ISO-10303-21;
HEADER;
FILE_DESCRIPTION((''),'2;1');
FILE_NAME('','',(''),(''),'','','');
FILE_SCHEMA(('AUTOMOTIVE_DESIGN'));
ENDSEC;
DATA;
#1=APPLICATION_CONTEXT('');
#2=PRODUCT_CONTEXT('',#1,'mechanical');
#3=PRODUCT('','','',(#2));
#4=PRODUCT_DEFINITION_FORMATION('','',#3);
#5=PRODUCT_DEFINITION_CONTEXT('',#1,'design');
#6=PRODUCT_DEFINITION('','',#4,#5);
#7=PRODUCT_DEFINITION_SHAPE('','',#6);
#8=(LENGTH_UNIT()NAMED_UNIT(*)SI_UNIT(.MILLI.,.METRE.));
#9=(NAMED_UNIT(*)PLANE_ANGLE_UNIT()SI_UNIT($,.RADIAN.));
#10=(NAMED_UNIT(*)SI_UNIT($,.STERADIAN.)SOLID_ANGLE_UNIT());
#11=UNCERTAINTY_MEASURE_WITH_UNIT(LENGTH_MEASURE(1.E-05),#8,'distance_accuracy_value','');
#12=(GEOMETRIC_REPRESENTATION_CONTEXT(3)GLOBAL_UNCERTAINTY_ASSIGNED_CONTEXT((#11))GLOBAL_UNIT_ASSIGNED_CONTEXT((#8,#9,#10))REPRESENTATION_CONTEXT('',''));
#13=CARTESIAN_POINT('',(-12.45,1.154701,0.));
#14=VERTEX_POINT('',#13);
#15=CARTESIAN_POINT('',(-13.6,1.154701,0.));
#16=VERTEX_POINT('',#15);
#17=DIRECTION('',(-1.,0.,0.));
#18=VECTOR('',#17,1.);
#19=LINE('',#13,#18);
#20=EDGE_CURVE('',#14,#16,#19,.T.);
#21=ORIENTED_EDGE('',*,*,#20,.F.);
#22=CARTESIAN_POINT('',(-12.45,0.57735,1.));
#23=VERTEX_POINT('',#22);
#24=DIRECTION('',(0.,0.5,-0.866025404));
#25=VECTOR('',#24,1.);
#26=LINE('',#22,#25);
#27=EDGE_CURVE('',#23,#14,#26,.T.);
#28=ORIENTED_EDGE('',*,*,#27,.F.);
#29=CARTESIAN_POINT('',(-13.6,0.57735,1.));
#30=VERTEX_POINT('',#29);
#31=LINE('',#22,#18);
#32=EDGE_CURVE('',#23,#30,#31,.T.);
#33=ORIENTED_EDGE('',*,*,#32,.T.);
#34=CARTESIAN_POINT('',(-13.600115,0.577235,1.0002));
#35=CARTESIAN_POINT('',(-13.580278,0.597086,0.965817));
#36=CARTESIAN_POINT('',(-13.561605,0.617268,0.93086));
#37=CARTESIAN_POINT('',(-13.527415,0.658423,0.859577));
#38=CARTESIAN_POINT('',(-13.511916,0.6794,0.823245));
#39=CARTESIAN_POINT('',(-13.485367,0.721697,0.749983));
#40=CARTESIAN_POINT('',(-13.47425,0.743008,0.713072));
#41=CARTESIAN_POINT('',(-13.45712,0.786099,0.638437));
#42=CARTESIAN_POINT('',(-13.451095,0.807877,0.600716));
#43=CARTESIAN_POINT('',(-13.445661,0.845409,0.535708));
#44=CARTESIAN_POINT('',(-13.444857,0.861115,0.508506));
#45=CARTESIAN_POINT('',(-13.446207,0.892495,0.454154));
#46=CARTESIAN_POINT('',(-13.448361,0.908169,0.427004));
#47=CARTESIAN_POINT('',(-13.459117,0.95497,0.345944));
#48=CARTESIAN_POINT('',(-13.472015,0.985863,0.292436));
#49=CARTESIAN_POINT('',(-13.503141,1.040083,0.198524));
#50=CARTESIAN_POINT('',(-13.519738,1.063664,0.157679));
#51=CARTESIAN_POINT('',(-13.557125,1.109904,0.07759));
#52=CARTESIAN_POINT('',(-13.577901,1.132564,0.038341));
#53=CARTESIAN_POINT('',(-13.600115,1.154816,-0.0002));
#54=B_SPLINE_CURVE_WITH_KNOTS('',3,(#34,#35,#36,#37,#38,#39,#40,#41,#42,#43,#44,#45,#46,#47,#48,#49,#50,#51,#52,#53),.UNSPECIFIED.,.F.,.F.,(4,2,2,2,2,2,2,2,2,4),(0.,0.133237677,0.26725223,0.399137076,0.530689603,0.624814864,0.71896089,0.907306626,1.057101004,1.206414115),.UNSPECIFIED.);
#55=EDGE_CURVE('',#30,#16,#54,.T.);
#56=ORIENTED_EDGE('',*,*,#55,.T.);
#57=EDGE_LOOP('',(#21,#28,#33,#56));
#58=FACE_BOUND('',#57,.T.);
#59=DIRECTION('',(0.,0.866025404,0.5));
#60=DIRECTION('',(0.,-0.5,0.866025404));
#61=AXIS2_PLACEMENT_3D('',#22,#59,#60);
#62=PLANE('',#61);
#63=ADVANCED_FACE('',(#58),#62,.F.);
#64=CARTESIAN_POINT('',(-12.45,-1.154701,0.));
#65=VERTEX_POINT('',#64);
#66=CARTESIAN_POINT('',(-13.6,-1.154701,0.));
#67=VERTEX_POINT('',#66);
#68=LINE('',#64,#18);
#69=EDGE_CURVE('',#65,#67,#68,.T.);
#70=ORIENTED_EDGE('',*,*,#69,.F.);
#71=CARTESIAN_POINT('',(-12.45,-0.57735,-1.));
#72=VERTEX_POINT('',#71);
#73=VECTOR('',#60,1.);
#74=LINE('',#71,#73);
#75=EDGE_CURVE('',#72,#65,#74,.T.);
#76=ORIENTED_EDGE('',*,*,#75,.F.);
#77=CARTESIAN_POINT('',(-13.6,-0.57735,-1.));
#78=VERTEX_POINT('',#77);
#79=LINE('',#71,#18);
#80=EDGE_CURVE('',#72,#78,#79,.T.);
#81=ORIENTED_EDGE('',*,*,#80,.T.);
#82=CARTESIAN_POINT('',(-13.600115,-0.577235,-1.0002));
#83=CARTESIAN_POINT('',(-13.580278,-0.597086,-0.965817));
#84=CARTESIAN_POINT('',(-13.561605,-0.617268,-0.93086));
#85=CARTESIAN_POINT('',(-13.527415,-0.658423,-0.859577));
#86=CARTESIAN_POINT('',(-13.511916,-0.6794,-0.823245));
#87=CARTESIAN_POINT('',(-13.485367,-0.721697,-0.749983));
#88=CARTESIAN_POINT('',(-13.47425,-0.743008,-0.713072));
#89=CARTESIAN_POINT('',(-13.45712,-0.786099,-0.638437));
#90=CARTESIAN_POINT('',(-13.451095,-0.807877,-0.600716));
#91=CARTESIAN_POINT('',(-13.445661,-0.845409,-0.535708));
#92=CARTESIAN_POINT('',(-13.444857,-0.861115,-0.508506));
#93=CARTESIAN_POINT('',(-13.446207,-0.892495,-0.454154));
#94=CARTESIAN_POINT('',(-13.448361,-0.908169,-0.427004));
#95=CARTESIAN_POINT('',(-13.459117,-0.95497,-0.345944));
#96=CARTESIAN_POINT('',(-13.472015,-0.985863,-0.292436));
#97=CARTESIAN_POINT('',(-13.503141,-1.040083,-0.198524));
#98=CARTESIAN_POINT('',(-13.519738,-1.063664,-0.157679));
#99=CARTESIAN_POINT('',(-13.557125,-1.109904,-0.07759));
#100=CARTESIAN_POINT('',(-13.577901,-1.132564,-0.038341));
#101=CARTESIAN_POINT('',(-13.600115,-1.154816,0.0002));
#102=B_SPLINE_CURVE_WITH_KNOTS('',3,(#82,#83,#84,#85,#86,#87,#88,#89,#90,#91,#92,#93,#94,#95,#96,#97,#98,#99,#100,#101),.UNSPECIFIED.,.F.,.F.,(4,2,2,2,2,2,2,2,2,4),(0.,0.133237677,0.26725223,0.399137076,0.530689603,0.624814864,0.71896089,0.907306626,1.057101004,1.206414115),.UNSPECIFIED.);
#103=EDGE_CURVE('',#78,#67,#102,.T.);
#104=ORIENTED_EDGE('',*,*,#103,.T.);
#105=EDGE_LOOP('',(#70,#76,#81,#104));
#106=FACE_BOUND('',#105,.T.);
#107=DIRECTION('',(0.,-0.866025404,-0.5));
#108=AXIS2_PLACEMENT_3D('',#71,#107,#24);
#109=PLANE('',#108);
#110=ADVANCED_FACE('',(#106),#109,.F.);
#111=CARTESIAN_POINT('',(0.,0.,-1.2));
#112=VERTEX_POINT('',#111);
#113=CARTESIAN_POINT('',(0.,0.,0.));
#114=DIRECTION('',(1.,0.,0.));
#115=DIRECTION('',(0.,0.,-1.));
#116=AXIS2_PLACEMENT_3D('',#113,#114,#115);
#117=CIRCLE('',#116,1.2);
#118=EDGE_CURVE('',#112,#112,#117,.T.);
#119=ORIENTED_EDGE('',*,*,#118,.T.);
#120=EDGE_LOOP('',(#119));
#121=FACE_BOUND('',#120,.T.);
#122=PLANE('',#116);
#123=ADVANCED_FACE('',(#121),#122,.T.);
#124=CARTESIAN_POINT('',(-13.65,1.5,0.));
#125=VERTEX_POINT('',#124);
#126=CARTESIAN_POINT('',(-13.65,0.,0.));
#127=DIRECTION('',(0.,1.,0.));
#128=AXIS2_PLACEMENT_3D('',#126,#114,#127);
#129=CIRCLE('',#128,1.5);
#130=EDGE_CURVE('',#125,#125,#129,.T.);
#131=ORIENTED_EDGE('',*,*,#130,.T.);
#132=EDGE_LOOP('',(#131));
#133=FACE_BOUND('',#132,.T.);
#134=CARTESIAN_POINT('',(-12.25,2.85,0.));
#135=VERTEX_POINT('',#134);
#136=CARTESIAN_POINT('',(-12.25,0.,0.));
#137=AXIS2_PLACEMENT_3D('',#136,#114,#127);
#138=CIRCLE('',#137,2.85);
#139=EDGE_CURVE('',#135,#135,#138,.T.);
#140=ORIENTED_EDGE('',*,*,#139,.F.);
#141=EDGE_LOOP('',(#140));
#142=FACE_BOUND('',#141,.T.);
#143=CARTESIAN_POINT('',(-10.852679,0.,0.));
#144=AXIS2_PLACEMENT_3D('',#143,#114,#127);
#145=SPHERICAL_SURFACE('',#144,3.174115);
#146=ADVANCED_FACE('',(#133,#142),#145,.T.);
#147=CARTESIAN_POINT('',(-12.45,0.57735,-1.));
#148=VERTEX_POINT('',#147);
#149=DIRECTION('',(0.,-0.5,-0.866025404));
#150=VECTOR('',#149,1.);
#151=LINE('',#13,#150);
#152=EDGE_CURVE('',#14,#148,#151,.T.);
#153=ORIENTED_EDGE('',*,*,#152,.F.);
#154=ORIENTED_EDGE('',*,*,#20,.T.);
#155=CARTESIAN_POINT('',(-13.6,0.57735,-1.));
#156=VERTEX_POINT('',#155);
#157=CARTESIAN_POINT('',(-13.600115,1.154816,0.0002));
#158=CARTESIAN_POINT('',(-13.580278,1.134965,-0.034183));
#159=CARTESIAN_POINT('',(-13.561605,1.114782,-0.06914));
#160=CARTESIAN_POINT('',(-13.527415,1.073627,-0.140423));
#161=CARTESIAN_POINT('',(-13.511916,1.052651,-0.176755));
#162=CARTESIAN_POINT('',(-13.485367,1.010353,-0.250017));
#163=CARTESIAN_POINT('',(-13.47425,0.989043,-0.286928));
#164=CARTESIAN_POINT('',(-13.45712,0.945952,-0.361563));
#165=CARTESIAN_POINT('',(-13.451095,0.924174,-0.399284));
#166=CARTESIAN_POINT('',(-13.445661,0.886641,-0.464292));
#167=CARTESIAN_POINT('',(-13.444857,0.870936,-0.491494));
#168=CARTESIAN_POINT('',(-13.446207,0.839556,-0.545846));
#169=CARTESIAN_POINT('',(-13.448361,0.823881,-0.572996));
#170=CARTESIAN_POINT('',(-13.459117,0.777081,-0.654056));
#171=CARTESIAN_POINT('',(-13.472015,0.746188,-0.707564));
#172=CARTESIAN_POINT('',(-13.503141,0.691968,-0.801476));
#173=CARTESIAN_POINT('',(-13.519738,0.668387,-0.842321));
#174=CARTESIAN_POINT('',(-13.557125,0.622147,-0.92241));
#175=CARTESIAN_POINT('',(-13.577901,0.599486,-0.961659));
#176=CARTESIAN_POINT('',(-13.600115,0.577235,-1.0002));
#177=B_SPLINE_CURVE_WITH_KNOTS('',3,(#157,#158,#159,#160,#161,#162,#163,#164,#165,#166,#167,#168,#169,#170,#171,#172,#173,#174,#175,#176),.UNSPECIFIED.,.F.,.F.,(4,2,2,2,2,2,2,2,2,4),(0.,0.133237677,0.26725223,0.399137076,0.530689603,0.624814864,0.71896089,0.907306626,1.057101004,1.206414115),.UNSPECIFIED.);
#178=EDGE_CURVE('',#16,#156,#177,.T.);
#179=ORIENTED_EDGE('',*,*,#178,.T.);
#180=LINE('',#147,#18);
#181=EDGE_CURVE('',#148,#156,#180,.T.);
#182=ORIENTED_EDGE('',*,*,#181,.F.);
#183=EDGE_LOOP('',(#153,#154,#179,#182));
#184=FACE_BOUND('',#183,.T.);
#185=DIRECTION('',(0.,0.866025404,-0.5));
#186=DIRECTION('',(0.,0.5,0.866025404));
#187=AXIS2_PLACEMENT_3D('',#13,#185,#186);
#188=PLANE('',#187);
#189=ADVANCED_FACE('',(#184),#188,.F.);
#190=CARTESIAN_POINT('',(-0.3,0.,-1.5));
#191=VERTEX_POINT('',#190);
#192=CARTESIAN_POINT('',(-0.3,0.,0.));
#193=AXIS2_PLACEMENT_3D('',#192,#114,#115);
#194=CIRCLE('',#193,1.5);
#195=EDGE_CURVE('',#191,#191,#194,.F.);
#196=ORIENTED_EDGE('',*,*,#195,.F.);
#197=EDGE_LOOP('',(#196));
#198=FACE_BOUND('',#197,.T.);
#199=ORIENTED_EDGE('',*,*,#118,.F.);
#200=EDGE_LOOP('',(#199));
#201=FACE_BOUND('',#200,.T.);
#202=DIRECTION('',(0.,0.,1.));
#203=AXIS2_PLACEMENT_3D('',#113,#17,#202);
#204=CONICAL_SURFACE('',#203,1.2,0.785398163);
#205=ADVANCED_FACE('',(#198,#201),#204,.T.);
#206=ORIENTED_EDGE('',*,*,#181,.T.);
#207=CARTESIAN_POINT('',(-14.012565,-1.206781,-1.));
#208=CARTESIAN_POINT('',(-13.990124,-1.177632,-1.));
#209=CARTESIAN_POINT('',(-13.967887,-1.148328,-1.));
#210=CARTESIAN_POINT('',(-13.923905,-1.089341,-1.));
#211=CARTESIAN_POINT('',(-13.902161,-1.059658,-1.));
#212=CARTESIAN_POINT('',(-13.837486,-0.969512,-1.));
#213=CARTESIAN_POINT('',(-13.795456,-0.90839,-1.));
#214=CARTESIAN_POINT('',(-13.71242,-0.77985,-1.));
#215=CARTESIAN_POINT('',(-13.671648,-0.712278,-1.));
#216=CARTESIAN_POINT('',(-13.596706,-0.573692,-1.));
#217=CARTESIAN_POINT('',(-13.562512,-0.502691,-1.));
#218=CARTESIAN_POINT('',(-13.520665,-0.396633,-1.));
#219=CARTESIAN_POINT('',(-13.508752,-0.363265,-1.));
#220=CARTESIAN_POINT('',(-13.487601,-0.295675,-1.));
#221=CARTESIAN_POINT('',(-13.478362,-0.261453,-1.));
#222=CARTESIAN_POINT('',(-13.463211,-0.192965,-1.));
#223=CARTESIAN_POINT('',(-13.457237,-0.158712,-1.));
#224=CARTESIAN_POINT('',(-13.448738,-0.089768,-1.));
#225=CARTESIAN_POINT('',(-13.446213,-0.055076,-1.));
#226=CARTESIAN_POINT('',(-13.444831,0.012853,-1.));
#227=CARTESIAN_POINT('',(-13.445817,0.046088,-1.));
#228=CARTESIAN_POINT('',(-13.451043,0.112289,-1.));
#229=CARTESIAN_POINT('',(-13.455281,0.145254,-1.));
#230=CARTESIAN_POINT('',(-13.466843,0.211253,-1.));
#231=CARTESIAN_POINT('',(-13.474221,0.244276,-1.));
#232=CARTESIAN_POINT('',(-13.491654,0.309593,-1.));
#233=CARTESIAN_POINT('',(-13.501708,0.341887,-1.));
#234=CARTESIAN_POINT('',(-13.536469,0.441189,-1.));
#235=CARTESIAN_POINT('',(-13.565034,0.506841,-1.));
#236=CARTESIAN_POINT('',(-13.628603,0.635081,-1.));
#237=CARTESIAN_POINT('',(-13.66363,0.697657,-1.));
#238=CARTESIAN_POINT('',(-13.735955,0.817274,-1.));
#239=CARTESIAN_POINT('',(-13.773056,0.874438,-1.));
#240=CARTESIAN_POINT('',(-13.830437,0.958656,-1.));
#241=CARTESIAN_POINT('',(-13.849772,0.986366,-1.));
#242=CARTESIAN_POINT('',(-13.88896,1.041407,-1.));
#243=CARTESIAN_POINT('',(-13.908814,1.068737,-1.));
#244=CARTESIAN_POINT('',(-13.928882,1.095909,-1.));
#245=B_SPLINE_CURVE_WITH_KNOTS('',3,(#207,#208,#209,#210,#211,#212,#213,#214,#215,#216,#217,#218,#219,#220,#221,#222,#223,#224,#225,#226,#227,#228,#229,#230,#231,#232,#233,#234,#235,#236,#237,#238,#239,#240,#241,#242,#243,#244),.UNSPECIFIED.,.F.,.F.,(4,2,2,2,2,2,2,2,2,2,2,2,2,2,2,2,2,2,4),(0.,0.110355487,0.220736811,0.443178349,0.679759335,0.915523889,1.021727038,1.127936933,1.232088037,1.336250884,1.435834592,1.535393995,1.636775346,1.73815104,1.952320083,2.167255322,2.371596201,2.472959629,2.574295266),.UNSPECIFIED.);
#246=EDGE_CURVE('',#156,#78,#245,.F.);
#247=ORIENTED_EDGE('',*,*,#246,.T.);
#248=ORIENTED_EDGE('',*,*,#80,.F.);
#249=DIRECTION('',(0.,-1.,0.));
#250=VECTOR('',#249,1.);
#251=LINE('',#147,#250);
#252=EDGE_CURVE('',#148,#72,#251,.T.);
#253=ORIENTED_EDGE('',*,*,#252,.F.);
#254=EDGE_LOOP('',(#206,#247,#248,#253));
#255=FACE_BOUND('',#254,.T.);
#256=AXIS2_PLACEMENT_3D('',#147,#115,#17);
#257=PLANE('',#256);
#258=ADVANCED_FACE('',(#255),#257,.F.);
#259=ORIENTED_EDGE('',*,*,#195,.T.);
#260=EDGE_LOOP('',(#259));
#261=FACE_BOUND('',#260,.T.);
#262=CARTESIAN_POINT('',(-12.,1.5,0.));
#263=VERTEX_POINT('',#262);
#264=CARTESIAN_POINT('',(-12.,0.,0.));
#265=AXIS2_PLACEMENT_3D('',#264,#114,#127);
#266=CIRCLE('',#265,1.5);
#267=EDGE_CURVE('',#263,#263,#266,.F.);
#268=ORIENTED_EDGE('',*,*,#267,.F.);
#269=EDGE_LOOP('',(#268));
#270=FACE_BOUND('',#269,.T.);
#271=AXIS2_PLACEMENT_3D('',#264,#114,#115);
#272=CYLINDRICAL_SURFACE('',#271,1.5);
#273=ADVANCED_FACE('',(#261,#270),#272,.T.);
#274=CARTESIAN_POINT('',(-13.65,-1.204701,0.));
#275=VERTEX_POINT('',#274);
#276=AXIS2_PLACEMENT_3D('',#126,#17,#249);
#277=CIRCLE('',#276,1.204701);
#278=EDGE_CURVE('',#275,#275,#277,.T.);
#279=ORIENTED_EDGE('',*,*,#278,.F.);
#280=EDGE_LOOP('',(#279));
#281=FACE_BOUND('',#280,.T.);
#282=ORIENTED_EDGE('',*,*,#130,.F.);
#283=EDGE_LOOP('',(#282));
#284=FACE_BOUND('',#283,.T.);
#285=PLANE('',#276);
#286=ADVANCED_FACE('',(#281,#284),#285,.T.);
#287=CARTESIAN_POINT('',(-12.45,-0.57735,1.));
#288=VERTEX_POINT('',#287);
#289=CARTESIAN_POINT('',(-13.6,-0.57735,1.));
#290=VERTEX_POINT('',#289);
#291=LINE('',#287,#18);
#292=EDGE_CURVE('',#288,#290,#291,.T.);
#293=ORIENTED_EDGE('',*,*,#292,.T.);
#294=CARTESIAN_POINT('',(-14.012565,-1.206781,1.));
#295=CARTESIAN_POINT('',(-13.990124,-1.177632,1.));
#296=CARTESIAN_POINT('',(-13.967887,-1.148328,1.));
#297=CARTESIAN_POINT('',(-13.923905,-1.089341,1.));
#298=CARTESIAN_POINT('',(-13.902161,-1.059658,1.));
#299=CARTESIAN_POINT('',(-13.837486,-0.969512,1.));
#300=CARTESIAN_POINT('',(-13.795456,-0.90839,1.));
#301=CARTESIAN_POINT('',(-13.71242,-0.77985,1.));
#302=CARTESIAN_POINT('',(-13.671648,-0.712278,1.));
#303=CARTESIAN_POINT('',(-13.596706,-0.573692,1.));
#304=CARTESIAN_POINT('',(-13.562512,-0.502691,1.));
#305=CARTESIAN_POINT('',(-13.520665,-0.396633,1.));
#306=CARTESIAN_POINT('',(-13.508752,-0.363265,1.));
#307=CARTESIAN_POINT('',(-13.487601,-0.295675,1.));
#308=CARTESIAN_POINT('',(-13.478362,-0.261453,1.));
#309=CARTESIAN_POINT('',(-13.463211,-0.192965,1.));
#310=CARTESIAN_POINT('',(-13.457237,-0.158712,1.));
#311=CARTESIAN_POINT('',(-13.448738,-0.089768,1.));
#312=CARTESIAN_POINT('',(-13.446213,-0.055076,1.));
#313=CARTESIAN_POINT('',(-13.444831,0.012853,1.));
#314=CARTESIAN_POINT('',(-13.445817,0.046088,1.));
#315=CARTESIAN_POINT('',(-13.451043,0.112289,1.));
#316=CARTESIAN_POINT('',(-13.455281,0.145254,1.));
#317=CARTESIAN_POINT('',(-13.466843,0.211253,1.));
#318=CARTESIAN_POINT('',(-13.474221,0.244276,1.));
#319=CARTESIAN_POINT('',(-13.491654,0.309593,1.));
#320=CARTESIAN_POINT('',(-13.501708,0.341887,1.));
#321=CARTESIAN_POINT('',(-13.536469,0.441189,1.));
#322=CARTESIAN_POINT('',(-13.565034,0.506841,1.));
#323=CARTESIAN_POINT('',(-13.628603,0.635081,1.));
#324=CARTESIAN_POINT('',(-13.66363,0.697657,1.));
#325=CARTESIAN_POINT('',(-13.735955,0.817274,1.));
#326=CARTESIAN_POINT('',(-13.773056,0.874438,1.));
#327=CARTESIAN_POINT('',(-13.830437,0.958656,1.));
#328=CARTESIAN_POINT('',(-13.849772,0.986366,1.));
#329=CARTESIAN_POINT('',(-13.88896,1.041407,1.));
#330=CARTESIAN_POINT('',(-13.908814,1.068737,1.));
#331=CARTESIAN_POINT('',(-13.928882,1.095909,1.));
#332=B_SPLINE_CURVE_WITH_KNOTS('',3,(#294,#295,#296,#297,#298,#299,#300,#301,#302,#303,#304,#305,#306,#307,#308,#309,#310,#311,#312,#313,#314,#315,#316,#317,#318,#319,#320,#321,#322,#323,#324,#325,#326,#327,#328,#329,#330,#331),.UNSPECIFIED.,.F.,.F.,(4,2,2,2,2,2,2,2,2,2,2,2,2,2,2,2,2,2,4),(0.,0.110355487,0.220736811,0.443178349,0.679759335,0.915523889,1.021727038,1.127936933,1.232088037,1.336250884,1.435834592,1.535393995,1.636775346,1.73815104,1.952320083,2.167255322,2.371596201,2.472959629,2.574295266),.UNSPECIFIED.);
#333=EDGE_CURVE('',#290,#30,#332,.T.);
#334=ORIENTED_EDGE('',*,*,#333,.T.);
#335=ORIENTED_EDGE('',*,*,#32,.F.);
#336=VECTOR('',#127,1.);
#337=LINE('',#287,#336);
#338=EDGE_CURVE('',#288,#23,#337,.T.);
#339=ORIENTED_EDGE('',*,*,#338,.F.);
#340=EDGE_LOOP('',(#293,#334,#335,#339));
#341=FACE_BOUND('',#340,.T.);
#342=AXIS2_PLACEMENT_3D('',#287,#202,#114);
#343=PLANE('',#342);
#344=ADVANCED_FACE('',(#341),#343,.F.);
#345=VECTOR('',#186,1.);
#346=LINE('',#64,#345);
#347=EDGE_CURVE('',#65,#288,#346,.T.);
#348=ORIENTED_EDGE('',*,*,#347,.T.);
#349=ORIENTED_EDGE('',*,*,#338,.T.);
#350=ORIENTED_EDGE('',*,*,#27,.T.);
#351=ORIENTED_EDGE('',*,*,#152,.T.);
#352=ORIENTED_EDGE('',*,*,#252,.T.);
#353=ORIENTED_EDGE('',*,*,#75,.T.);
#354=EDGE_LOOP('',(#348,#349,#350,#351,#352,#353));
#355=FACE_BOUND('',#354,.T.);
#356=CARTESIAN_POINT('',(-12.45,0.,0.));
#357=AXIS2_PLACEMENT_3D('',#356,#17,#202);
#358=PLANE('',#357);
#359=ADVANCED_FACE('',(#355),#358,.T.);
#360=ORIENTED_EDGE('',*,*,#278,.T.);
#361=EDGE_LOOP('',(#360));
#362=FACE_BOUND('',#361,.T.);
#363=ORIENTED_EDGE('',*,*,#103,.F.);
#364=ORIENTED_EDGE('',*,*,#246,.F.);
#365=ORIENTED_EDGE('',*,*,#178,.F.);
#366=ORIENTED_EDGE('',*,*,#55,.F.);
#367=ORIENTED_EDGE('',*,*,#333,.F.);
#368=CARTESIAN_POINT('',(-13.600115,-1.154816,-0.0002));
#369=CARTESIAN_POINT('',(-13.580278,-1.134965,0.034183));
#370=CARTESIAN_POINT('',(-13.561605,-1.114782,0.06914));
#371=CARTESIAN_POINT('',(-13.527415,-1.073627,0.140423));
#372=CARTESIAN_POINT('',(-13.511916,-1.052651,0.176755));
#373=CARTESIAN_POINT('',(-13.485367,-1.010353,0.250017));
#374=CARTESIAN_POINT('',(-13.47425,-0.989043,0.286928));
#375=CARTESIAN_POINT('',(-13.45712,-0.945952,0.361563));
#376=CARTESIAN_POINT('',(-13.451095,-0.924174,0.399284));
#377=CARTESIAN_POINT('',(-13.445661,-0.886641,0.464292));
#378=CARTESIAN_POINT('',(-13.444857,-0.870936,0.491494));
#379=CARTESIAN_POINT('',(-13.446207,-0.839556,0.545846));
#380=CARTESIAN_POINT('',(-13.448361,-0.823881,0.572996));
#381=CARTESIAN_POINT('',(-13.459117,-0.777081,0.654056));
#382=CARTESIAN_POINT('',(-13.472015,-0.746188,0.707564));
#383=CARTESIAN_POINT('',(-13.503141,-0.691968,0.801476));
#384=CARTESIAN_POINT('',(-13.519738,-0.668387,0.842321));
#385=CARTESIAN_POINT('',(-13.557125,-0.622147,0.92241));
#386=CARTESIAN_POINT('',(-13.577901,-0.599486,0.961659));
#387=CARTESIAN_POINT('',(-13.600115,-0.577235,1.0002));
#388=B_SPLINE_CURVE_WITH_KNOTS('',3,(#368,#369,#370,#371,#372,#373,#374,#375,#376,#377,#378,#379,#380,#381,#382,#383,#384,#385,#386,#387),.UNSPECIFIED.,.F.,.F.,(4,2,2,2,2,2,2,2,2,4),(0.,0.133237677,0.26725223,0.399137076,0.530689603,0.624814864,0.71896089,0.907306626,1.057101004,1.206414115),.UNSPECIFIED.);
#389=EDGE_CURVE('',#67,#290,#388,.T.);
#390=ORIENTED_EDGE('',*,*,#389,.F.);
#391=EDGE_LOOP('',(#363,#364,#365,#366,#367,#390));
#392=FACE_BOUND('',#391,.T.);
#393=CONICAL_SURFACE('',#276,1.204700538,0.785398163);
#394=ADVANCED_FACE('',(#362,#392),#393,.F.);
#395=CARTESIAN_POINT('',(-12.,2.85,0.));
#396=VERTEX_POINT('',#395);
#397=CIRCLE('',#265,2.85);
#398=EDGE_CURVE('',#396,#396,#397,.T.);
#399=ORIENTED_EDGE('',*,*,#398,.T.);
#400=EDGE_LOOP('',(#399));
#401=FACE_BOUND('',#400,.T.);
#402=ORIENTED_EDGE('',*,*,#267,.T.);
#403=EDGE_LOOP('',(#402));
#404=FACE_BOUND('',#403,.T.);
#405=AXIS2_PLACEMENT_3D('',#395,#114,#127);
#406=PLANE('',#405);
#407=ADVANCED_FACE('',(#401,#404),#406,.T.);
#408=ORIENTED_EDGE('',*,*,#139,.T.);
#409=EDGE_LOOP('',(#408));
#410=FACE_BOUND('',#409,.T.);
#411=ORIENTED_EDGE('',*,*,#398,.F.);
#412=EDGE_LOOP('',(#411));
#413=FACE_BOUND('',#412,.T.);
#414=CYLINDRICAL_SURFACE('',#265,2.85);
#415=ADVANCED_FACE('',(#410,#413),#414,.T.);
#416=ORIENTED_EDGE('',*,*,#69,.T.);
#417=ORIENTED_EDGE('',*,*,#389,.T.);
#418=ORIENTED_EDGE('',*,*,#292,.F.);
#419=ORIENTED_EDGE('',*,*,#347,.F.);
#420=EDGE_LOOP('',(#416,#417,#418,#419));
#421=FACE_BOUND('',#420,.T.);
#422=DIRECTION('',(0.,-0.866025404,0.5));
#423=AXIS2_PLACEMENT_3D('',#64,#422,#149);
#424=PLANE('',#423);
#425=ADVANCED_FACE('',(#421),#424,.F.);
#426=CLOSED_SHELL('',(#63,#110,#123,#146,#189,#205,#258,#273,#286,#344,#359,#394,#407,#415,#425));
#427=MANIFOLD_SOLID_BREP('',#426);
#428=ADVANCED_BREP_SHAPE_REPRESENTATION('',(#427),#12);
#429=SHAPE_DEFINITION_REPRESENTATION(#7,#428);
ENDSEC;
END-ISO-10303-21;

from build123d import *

# Parameters (mm, degrees)
SKETCH2_R           = 1.5
BOSS_EXTRUDE1_DEPTH = 12
CHAMFER1_SIZE       = 0.3
CUT_EXTRUDE1_DEPTH  = 1.2
SKETCH8_R           = 1.204700538
CUT_EXTRUDE2_DEPTH  = 1
CUT_EXTRUDE2_TAPER  = 45


with BuildPart() as part:
    # Sketch2 → Boss-Extrude1 (new body)
    with BuildSketch(Plane(origin=(0, 0, 0), x_dir=(0, 0, -1), z_dir=(1, 0, 0))):
        Circle(SKETCH2_R)
    extrude(amount=-BOSS_EXTRUDE1_DEPTH)

    # Chamfer1
    chamfer1_edges = [part.edges().sort_by_distance(p)[0] for p in [
        (0, 0, 1.5),
    ]]
    chamfer(chamfer1_edges, length=CHAMFER1_SIZE)

    # Sketch6 → Revolve1 (revolve)
    with BuildSketch(Plane.XY):
        with BuildLine():
            Line((-13.65, 0), (-13.65, 1.5))
            ThreePointArc((-13.65, 1.5), (-13.055944823, 2.284868705), (-12.25, 2.85))
            Line((-12.25, 2.85), (-12, 2.85))
            Line((-12, 2.85), (-12, 0))
            Line((-12, 0), (-13.65, 0))
        make_face()
    revolve(axis=Axis((-12, 0, 0), (-1, 0, 0)))

    # Sketch7 → Cut-Extrude1 (cut)
    with BuildSketch(Plane.ZY.offset(13.65)):
        Polygon((0, 1.154700538), (-1, 0.577350269), (-1, -0.577350269), (0, -1.154700538), (1, -0.577350269), (1, 0.577350269), align=None)
    extrude(amount=-CUT_EXTRUDE1_DEPTH, mode=Mode.SUBTRACT)

    # Sketch8 → Cut-Extrude2 (cut)
    with BuildSketch(Plane.ZY.offset(13.65)):
        Circle(SKETCH8_R)
    extrude(amount=-CUT_EXTRUDE2_DEPTH, taper=CUT_EXTRUDE2_TAPER, mode=Mode.SUBTRACT)


solid = part.part
